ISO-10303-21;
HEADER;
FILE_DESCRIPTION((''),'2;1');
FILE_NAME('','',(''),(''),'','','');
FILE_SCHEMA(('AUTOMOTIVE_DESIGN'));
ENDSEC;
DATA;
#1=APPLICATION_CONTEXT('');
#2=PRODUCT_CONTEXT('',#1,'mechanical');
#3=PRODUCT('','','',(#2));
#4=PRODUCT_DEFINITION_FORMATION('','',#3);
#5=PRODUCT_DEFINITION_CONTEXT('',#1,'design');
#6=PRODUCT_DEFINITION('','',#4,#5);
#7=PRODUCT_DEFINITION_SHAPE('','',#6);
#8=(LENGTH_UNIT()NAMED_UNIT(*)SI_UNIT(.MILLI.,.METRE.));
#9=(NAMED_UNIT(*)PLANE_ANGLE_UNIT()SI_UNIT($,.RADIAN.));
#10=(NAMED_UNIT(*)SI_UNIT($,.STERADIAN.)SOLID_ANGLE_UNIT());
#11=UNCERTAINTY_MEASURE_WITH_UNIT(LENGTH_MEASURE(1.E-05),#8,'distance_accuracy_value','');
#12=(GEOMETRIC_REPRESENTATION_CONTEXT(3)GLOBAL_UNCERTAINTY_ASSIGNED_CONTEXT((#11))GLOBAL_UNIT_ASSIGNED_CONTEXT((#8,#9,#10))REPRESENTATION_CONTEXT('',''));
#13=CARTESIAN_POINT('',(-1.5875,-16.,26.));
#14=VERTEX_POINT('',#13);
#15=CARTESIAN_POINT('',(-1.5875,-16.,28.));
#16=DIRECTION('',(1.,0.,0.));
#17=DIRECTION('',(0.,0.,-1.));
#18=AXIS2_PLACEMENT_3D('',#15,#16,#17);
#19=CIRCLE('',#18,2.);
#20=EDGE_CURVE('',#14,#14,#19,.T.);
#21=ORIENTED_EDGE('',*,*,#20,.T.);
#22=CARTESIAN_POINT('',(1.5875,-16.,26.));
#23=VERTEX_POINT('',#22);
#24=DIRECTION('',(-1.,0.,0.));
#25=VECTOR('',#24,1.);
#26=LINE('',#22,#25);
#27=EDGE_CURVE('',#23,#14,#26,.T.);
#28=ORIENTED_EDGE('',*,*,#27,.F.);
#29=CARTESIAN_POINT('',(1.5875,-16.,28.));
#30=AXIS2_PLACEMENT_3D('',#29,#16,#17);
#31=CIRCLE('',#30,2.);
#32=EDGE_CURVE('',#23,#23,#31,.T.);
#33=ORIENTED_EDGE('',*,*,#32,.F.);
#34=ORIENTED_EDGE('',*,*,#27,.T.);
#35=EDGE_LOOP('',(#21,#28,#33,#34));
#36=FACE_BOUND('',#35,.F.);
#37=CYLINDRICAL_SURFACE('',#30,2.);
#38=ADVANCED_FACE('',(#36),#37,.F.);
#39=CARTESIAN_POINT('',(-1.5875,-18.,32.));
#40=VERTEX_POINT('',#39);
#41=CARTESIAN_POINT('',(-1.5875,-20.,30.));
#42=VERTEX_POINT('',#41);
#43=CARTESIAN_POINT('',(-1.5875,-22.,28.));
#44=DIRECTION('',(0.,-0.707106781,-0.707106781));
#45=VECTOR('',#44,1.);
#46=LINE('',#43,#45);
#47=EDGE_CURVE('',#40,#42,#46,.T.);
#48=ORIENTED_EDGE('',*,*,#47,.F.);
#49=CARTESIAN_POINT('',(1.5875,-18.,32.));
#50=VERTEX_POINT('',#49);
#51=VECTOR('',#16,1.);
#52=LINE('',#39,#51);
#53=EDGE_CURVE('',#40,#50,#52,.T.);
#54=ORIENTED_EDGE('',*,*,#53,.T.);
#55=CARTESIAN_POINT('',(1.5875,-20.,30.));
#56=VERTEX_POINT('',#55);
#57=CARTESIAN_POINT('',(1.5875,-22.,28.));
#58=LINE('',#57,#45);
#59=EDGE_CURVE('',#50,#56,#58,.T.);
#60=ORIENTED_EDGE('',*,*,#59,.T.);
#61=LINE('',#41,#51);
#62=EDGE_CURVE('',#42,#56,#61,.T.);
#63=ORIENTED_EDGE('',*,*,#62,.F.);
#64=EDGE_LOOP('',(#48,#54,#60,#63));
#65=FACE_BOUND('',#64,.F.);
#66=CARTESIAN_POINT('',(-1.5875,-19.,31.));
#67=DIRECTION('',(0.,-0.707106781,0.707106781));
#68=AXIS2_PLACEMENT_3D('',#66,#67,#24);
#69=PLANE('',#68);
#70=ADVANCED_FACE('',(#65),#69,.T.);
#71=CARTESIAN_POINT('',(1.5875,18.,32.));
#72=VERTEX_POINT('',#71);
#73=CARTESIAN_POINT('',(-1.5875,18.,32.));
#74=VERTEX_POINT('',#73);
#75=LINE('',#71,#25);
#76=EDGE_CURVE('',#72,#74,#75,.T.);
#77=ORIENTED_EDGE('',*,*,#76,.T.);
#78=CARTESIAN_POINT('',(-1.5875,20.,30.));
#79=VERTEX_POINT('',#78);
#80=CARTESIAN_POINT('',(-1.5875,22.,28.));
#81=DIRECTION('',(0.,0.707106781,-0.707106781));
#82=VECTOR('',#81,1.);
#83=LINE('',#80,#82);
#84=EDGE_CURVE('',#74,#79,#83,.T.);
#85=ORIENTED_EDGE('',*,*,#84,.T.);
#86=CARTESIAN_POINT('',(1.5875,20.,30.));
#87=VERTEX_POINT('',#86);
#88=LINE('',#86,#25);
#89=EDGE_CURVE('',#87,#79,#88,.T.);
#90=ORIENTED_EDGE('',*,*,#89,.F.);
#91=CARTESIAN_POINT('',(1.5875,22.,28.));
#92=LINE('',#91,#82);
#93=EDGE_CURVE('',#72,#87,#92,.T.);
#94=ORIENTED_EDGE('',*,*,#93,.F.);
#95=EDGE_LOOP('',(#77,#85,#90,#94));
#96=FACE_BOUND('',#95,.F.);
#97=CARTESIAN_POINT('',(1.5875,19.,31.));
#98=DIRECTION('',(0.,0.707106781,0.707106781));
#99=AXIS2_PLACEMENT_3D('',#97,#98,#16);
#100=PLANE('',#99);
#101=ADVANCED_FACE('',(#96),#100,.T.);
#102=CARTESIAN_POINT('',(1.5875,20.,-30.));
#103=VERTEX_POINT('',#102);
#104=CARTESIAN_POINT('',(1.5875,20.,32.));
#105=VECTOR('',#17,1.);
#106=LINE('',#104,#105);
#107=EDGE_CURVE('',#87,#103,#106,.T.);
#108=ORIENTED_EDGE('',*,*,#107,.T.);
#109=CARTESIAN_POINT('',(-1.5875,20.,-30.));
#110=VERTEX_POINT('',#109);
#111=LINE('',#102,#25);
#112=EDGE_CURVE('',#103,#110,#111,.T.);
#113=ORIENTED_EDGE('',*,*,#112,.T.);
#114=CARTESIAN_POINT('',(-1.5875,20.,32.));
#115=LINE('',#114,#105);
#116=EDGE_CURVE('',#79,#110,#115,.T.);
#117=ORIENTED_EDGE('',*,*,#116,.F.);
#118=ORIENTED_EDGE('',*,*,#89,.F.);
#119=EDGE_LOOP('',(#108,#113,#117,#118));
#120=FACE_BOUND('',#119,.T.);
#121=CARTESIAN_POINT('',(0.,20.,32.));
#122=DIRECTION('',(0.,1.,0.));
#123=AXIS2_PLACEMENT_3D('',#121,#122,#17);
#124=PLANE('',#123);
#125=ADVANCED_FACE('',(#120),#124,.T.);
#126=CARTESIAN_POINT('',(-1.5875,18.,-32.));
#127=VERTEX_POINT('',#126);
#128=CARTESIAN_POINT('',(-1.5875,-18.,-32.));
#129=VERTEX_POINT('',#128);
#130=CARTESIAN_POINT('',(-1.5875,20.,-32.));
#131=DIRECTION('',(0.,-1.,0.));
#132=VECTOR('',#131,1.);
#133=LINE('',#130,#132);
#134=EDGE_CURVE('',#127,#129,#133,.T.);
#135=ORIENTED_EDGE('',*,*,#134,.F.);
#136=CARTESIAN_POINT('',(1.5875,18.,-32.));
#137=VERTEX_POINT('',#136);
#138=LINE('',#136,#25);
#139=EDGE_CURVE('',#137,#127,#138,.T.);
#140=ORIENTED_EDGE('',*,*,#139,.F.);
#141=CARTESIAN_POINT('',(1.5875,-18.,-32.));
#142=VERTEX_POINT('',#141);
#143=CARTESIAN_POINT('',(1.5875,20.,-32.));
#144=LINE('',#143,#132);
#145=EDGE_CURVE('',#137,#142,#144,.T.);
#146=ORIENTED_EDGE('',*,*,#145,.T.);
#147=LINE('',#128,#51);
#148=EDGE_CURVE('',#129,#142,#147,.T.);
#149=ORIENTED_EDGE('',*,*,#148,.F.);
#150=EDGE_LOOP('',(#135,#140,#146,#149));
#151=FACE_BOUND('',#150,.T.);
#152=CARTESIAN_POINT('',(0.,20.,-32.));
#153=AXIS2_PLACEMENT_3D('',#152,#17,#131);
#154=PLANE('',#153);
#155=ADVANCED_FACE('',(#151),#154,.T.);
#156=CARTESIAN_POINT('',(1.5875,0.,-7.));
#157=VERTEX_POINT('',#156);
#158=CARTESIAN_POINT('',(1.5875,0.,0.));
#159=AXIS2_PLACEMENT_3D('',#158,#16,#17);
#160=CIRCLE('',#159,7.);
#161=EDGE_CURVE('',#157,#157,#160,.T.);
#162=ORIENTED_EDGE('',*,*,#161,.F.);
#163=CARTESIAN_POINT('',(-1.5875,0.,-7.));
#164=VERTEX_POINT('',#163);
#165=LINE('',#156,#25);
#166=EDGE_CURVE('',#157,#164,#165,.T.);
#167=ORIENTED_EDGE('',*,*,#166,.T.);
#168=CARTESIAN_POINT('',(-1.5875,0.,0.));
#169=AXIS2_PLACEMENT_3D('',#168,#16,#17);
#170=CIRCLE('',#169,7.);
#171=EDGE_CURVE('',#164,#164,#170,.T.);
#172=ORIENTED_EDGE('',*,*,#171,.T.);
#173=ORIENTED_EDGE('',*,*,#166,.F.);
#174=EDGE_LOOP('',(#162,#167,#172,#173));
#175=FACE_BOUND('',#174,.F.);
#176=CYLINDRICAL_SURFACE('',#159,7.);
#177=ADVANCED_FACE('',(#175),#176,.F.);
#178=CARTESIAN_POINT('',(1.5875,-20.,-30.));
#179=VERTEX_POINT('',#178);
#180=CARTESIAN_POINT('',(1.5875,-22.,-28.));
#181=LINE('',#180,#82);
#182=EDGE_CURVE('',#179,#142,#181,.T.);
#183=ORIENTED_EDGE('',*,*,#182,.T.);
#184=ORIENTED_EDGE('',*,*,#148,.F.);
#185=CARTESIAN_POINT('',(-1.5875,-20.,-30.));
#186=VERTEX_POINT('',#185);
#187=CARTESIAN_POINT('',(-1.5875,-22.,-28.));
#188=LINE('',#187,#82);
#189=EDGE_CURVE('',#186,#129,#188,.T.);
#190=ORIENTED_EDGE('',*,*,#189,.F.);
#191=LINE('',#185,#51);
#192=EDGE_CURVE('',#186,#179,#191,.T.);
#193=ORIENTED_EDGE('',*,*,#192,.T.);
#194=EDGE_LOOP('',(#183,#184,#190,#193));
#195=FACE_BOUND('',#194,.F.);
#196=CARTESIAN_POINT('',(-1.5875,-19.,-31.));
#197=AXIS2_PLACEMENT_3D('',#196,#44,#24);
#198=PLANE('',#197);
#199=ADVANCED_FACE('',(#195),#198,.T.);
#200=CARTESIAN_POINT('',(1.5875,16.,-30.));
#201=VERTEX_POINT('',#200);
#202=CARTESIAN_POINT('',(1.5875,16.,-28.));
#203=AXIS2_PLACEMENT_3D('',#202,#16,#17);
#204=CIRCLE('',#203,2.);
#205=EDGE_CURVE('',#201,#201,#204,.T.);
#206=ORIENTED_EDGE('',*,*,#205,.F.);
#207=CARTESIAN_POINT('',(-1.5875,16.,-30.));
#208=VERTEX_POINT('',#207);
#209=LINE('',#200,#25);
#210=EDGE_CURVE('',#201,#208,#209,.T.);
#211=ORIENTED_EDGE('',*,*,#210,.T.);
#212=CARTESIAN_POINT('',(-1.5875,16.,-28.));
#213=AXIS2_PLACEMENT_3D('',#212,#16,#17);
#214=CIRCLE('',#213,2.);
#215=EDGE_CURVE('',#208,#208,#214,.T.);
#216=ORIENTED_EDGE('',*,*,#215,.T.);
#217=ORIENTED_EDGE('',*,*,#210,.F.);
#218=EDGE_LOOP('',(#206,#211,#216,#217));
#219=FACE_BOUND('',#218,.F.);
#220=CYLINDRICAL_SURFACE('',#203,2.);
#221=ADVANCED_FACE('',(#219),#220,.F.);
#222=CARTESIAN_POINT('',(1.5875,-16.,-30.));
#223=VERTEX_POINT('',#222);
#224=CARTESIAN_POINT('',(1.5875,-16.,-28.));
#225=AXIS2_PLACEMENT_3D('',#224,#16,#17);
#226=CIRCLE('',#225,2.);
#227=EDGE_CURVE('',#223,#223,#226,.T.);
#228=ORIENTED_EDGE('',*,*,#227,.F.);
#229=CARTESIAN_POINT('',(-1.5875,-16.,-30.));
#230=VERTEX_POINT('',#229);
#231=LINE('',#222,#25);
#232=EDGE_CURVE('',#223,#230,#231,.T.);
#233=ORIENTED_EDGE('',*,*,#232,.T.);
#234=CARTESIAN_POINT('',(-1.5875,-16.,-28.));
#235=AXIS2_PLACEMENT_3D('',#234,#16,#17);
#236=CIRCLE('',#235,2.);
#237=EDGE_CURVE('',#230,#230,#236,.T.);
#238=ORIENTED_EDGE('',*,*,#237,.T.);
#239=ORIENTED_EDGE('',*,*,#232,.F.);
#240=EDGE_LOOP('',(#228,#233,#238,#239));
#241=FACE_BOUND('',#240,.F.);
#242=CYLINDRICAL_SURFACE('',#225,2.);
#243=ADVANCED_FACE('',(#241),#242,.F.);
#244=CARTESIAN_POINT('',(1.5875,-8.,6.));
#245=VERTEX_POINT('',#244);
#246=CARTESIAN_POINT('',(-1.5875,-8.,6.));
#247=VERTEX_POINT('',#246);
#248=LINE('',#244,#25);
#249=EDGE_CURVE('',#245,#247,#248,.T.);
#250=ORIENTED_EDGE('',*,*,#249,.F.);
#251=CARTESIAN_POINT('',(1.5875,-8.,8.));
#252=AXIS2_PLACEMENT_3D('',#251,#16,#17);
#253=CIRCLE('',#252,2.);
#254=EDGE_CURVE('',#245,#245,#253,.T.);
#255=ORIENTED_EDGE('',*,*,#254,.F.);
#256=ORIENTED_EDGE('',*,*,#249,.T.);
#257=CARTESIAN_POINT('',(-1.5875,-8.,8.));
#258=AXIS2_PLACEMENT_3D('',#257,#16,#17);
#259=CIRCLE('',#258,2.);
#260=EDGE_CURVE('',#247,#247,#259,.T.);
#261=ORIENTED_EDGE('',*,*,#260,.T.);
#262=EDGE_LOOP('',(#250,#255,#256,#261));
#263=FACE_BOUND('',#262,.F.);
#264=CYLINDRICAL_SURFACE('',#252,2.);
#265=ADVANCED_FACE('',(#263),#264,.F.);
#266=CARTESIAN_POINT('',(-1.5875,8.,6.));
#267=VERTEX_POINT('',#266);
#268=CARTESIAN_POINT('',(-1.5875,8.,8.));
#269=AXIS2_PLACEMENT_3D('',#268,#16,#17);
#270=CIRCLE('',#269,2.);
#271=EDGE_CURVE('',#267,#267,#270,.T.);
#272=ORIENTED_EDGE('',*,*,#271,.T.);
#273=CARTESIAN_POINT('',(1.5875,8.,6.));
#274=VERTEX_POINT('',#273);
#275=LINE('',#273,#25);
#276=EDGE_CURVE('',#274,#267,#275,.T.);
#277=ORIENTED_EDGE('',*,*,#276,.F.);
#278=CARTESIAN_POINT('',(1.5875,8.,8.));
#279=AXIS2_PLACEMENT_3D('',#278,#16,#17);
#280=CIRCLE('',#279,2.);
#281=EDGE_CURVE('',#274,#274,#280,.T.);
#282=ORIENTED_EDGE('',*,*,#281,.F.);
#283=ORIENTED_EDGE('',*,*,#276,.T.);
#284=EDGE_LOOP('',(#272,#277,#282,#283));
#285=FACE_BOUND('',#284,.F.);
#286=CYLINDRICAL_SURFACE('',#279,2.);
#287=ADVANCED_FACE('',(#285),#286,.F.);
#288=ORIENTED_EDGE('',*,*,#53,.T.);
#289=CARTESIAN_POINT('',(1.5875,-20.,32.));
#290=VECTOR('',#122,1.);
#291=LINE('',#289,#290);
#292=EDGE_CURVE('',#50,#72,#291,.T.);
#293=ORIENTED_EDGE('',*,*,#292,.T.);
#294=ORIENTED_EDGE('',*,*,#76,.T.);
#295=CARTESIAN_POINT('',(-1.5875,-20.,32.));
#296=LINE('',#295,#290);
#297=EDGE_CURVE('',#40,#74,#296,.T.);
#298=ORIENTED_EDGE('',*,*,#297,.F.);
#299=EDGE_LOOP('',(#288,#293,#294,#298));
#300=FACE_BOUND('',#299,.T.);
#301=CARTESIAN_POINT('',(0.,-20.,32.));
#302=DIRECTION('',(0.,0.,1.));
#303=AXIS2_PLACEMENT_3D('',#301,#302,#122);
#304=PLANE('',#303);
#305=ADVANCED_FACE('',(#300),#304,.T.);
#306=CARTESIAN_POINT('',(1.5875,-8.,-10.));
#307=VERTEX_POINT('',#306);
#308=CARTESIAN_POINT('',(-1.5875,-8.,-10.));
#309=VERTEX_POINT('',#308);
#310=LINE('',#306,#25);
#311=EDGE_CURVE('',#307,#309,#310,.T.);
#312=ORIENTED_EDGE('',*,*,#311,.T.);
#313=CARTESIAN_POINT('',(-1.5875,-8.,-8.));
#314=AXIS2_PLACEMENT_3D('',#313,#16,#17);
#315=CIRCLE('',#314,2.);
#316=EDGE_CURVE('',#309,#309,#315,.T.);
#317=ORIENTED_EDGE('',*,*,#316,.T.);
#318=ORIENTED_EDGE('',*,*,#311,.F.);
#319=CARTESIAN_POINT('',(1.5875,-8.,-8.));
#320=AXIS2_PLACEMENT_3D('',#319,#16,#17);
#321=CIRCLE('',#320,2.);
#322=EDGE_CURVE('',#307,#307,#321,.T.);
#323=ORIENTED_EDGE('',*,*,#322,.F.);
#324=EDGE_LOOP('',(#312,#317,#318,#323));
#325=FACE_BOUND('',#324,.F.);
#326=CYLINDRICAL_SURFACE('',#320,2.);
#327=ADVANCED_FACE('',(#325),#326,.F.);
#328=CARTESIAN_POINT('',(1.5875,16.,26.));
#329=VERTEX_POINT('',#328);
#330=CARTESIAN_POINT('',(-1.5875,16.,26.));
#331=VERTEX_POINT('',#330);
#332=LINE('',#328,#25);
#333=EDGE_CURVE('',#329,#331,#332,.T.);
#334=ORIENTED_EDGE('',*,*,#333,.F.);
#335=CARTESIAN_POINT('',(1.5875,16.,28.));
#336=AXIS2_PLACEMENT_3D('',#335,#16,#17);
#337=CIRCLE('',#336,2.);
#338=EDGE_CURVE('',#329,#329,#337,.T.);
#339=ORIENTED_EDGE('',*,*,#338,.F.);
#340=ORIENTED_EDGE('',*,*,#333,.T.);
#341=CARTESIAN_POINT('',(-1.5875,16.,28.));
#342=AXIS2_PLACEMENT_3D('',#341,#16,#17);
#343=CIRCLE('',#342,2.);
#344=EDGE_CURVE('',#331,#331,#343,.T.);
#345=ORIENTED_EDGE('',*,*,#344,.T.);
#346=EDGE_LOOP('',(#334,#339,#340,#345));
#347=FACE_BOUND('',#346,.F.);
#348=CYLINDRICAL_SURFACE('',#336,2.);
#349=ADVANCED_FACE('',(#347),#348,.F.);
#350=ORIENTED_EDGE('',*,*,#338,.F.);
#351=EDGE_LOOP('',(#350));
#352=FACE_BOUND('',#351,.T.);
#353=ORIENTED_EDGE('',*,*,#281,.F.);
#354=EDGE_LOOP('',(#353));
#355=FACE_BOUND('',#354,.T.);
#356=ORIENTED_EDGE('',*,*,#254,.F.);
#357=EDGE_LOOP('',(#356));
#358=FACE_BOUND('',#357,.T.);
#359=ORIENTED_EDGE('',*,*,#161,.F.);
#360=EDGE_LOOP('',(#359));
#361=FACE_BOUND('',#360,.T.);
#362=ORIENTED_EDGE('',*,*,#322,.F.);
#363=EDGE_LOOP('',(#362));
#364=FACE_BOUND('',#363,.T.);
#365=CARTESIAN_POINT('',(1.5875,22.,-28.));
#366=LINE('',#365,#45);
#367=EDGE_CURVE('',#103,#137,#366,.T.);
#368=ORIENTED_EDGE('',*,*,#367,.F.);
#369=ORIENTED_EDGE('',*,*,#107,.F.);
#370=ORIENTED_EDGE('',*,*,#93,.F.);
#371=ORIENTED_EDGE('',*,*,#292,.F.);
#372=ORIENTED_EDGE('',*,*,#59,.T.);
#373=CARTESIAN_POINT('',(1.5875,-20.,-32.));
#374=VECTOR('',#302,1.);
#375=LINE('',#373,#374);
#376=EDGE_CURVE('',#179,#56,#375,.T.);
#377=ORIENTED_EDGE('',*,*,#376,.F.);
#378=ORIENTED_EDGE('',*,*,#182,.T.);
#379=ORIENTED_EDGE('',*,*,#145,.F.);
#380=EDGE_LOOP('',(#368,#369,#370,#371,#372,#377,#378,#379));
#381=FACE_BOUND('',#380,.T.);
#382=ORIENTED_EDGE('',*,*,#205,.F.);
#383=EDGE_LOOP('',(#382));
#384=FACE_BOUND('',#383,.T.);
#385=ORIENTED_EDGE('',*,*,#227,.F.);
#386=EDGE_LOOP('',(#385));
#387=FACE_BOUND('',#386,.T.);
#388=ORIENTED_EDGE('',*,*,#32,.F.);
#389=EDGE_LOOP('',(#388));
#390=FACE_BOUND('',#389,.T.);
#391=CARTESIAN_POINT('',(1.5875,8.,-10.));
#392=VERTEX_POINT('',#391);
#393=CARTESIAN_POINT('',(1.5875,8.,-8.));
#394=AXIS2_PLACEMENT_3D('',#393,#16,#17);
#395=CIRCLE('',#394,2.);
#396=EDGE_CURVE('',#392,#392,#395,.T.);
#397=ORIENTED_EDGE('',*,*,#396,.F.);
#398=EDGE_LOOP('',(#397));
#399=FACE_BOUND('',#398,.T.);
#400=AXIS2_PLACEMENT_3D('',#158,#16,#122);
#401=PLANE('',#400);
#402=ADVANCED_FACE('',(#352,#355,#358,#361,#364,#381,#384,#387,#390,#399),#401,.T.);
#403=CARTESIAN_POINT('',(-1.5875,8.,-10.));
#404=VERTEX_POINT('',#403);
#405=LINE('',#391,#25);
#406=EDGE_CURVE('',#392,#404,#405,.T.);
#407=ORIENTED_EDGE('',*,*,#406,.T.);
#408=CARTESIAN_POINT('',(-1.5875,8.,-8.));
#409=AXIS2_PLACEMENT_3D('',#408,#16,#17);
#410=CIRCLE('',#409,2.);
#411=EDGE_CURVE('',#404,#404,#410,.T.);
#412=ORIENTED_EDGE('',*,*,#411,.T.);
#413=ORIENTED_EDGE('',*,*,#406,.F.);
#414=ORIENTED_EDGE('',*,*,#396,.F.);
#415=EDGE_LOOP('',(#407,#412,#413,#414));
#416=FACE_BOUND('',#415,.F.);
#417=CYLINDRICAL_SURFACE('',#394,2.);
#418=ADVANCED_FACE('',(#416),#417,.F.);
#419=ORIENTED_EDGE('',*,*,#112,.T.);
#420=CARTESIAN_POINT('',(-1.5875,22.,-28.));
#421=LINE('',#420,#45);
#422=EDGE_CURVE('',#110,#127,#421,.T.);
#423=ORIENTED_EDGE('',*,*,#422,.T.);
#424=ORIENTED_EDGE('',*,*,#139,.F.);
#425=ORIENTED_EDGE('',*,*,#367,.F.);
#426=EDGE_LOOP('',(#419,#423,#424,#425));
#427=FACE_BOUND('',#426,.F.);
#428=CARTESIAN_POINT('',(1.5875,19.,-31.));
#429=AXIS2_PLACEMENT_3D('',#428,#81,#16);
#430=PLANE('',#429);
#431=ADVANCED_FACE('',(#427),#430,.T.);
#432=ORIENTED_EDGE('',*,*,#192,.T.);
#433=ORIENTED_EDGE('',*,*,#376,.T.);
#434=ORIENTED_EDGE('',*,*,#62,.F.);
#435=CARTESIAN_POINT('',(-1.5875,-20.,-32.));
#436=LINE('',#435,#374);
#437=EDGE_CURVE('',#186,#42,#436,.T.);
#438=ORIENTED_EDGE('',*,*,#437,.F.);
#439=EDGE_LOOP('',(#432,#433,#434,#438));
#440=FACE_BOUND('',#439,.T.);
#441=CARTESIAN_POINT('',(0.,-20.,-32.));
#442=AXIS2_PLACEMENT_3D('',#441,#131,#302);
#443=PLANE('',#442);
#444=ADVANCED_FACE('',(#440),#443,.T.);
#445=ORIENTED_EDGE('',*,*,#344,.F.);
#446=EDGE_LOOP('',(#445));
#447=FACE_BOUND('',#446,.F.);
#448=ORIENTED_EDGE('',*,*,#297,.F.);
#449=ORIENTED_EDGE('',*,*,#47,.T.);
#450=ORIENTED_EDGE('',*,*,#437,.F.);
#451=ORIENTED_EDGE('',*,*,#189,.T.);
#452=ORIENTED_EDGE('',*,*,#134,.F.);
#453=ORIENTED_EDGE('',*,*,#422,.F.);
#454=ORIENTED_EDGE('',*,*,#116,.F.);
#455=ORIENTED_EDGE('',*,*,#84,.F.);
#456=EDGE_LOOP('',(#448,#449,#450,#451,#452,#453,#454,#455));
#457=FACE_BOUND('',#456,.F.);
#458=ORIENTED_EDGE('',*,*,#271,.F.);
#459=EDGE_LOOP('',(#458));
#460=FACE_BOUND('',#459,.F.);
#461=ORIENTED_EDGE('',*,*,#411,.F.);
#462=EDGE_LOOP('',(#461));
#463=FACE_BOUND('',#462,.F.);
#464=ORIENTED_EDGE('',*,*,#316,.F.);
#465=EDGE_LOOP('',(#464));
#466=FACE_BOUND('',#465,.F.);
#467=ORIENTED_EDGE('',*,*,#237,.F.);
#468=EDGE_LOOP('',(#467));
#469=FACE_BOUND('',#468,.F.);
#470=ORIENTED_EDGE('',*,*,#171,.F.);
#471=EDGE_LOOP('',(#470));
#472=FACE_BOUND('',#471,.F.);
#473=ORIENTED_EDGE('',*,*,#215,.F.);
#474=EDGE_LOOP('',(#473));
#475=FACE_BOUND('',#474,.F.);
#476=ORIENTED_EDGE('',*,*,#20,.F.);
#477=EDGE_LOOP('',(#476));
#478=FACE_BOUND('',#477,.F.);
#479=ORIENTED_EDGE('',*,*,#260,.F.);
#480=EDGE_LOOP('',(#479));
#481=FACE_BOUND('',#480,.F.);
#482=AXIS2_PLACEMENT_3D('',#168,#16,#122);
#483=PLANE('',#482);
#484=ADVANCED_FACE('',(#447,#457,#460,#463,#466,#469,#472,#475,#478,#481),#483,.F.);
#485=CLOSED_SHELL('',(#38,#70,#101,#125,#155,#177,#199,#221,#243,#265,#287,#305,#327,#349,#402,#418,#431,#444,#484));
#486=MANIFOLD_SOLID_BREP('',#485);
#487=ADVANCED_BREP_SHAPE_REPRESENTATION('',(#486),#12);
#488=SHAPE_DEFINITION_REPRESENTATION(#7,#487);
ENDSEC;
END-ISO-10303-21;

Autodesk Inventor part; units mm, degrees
ref_plane "YZ Plane" through (0, 0, 0) normal (1, 0, 0) x (0, 1, 0)
ref_plane "XZ Plane" through (0, 0, 0) normal (0, 1, 0) x (-1, 0, 0)
ref_plane "XY Plane" through (0, 0, 0) normal (0, 0, 1) x (1, 0, 0)
sketch "Sketch1" plane through (0, 0, 0) normal (1, 0, 0) x (0, 1, 0)
  line L0 (-20, 32) -> (20, 32)
  line L1 (20, 32) -> (20, -32)
  line L2 (20, -32) -> (-20, -32)
  line L3 (-20, -32) -> (-20, 32)
  line L4 (-20, 32) -> (20, -32) construction
  line L5 (20, 32) -> (-20, -32) construction
  point P0 (0, 0)
  dimension "d0" = 40
  dimension "d1" = 64
extrude "Extrusion1" add sketch "Sketch1" along normal mid plane 3.175
sketch "Sketch2" plane through (1.5875, 0, 0) normal (1, 0, 0) x (0, 0, -1)
  circle A0 centre (-28, 16) radius 2
  line L0 (-32, 20) -> (-32, -20) construction
  line L1 (-32, 0) -> (32, 0) construction
  line L2 (32, -20) -> (32, 20) construction
  line L3 (32, 20) -> (-32, 20) construction
  line L4 (0, 20) -> (0, -20) construction
  circle A1 centre (28, 16) radius 2
  circle A2 centre (-28, -16) radius 2
  circle A3 centre (28, -16) radius 2
  circle A4 centre (-8, 8) radius 2
  circle A5 centre (-8, -8) radius 2
  circle A6 centre (8, -8) radius 2
  circle A7 centre (8, 8) radius 2
  circle A8 centre (0, 0) radius 7
  point P0 (0, 0)
  point P1 (0, 0)
  dimension "d4" = 4
  dimension "d5" = 28
  dimension "d6" = 16
  dimension "d7" = 4
  dimension "d8" = 8
  dimension "d9" = 8
  dimension "d12" = 360
  dimension "d14" = 14
extrude "Extrusion2" cut sketch "Sketch2" against normal through all
chamfer "Chamfer1" distance 2 angle 45 4 edges at (0, 20, 32) (0, -20, 32) (0, -20, -32) (0, 20, -32)
properties part number "TurretMotorPlate"
